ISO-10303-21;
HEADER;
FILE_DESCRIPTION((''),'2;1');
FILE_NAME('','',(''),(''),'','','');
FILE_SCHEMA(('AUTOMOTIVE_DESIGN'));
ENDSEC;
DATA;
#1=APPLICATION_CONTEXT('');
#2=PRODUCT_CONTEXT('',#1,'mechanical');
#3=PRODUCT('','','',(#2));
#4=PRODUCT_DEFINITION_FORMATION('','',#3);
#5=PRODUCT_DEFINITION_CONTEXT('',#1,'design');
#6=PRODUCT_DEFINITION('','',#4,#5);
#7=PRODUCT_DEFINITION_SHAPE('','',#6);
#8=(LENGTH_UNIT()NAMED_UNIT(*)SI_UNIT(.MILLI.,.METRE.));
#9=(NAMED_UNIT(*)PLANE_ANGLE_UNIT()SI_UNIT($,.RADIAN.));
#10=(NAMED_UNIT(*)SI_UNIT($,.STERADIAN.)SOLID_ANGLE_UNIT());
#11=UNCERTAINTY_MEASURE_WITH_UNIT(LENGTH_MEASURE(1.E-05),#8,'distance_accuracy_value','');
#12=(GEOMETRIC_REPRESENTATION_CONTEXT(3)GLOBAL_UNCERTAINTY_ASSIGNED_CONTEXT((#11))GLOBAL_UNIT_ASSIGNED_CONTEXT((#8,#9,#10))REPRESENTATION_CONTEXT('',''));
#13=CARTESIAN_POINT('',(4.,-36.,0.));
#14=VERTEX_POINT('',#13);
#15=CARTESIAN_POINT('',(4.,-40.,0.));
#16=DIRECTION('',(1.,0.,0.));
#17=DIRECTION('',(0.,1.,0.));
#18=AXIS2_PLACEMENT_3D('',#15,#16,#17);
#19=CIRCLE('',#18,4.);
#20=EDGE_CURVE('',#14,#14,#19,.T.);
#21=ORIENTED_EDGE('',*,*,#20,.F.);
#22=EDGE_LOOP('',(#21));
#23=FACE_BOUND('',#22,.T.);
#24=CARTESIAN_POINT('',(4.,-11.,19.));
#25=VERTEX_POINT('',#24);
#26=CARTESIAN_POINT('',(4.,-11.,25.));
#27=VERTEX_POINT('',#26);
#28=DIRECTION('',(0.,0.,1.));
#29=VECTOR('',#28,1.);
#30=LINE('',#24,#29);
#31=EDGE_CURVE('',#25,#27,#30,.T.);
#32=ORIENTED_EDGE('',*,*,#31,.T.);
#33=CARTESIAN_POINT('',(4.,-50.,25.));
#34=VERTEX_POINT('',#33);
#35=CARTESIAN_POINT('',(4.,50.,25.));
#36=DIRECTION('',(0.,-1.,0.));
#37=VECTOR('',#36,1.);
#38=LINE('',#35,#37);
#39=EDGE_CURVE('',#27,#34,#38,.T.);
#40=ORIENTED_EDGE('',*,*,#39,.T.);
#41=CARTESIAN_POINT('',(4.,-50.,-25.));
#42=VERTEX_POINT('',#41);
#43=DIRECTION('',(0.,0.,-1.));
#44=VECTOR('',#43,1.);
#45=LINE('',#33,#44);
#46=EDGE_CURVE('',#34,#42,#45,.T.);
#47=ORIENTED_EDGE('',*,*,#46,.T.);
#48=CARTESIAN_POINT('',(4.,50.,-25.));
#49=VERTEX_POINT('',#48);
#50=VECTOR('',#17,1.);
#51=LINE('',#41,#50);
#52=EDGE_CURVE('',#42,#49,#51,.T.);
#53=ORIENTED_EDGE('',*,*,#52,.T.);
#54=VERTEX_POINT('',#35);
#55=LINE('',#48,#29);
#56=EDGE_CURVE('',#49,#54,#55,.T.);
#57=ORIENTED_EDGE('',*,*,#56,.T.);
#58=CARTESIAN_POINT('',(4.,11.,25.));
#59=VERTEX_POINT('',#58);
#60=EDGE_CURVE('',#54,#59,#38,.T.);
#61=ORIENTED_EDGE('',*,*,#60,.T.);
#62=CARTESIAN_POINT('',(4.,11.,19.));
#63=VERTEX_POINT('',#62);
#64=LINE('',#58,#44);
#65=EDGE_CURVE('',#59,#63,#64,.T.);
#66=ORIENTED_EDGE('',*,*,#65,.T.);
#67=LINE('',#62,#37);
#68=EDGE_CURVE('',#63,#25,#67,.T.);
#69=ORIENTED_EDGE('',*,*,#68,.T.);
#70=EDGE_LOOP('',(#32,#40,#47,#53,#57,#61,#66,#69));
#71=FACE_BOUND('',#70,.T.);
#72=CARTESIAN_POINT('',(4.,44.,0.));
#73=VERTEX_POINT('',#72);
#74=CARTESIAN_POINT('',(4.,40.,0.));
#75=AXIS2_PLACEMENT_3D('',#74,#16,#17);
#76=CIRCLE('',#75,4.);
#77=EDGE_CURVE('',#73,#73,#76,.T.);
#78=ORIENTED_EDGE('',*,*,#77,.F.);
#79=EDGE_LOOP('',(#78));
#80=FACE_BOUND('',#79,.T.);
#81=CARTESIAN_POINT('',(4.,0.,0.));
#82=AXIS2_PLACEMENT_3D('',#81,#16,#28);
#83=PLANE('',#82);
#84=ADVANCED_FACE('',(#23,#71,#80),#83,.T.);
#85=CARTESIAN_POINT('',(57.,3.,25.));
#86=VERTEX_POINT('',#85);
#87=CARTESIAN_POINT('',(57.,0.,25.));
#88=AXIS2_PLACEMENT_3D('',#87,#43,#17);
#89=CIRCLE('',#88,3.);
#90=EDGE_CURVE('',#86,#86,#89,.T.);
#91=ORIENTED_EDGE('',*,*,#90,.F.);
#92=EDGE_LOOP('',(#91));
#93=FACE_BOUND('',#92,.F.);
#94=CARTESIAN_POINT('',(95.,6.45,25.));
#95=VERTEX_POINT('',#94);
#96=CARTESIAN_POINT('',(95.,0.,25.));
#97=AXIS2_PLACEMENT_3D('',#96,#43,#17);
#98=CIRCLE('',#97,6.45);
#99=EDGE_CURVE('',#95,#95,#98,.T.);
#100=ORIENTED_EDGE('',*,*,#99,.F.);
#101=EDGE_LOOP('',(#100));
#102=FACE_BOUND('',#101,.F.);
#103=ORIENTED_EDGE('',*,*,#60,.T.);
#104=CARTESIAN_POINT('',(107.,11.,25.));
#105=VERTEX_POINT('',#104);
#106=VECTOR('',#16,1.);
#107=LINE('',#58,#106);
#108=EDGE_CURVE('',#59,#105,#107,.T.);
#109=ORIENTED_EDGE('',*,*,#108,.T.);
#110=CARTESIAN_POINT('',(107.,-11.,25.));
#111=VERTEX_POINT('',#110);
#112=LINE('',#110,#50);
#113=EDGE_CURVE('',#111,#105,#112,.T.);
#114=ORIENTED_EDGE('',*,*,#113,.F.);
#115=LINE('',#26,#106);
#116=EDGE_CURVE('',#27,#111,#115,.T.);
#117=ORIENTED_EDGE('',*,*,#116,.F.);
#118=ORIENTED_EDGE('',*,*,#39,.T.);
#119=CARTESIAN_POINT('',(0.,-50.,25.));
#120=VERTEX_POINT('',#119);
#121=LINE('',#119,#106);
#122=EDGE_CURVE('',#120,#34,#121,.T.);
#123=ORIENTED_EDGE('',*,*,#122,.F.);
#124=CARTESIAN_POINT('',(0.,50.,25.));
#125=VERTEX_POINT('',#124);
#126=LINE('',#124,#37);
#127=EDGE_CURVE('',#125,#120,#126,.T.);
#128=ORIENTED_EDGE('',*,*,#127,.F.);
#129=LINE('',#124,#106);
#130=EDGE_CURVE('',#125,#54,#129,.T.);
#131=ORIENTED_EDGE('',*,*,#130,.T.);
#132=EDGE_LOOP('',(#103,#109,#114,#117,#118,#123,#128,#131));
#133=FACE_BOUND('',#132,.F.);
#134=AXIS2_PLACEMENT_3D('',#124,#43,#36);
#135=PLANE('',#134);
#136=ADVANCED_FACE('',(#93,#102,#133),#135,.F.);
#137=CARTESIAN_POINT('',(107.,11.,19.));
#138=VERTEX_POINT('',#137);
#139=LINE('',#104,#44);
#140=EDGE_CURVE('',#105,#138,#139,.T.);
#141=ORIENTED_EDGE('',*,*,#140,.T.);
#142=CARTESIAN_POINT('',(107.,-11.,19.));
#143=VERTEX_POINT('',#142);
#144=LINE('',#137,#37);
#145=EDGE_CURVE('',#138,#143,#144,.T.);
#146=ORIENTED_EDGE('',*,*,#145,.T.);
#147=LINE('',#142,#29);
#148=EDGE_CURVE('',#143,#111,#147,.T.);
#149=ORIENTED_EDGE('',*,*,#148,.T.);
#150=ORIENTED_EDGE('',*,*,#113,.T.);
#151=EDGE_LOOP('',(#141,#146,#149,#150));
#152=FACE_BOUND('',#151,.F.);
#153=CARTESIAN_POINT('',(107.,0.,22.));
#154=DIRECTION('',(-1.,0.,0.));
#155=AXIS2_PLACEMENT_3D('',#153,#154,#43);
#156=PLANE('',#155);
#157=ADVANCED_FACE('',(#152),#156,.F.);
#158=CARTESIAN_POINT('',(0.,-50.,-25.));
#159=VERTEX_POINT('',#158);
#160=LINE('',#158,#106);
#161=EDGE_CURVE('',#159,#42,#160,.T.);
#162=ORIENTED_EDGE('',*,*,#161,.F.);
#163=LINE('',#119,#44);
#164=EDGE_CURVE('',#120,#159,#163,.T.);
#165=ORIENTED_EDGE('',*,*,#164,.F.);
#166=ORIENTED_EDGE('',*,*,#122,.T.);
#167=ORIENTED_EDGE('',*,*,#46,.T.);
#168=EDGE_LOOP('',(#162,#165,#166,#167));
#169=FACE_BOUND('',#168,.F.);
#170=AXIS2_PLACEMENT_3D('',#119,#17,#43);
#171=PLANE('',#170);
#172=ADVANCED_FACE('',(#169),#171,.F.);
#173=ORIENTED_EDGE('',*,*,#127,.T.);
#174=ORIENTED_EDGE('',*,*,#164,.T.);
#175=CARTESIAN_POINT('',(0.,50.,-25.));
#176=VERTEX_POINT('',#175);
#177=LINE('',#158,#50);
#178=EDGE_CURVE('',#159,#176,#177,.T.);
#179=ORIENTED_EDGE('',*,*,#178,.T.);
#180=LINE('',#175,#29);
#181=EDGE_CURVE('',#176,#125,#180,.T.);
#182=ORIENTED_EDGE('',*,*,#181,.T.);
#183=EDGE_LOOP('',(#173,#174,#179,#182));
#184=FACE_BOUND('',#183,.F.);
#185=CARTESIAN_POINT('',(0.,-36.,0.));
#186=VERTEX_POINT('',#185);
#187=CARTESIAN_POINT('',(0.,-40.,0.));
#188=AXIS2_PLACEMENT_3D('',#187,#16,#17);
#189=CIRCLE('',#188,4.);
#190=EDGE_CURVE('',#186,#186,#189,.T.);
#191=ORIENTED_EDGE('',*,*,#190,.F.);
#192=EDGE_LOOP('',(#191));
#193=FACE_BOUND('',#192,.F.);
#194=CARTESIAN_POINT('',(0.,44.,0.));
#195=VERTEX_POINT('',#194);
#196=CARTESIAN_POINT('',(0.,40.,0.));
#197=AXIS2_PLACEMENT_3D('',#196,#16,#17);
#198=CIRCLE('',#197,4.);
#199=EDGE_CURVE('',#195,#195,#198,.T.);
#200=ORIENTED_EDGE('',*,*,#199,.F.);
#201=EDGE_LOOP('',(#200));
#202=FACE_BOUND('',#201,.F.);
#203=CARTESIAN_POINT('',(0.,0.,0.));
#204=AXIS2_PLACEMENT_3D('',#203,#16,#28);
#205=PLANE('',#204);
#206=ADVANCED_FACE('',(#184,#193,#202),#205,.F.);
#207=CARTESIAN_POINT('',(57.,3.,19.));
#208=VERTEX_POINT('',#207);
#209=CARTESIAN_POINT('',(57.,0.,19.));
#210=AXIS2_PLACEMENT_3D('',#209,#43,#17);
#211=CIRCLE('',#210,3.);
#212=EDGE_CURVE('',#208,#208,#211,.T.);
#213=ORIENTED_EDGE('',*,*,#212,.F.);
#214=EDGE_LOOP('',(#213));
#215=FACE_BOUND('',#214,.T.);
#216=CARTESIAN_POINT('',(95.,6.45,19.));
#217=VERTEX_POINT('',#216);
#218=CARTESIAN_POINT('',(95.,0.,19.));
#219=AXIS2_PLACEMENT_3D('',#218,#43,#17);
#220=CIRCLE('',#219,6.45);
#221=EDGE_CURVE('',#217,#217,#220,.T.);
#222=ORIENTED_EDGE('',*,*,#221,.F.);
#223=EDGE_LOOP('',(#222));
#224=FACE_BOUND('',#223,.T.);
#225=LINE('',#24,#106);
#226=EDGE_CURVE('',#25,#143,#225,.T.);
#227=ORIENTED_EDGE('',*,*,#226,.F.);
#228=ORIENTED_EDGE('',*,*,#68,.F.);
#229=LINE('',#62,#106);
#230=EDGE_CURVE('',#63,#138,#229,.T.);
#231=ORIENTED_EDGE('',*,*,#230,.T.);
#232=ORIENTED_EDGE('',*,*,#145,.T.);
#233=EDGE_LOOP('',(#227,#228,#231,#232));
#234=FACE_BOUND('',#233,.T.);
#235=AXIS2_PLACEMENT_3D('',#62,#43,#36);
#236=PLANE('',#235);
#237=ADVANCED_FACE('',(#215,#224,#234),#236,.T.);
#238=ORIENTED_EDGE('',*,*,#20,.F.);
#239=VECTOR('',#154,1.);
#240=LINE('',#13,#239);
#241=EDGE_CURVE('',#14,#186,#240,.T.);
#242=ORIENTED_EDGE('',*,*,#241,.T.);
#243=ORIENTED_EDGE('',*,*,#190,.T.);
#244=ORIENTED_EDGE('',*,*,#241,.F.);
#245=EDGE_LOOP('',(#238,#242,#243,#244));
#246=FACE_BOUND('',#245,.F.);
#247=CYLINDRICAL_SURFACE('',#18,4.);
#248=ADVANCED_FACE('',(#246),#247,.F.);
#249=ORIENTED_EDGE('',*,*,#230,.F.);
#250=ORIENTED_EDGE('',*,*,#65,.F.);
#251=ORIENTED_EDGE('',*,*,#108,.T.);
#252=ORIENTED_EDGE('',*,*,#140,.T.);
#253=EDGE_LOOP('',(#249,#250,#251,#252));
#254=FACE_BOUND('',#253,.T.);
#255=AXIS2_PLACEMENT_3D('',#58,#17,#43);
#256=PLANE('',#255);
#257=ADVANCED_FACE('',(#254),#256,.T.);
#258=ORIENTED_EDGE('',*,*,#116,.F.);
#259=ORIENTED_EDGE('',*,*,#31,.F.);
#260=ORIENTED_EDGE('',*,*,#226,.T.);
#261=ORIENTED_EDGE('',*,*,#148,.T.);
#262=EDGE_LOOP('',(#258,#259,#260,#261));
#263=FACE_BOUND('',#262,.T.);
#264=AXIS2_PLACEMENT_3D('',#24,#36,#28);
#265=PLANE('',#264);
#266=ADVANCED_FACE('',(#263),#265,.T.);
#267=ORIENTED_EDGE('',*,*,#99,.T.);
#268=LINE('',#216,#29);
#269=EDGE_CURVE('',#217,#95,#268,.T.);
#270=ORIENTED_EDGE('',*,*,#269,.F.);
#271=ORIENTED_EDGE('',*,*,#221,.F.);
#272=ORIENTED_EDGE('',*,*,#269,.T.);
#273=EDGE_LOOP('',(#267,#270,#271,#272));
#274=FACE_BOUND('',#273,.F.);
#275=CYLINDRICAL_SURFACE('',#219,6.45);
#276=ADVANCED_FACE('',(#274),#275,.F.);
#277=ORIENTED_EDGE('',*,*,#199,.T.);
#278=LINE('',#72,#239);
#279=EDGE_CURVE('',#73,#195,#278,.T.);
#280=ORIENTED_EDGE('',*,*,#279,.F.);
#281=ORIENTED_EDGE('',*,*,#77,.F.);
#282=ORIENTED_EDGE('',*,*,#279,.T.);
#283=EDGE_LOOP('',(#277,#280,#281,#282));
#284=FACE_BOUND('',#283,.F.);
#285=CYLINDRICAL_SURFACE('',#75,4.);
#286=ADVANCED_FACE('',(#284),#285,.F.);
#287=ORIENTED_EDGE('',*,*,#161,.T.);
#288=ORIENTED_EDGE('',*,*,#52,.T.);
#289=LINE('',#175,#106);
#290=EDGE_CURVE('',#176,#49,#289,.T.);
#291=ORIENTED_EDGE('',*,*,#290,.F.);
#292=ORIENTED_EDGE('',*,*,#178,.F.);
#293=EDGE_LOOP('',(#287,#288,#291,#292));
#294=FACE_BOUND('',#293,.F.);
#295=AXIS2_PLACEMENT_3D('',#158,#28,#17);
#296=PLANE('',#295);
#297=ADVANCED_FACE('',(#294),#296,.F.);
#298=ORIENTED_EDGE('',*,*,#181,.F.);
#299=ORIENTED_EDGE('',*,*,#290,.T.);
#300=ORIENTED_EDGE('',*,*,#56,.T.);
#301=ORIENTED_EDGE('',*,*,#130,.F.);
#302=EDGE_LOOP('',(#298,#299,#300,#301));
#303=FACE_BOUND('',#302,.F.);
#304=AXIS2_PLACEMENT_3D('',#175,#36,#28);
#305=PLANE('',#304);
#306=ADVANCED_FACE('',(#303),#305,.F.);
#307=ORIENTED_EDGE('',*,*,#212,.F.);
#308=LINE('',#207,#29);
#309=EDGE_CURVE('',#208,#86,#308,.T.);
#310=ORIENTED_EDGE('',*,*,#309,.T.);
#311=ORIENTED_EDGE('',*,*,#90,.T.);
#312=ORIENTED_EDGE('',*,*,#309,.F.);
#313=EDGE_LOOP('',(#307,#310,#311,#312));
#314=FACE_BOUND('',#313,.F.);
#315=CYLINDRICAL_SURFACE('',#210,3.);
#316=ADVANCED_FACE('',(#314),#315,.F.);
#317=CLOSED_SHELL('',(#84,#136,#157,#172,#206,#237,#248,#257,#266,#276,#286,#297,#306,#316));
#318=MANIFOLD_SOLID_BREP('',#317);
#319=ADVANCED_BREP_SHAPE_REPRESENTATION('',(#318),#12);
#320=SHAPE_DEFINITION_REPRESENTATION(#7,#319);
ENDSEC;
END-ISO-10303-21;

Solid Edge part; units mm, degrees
sketch "Sketch1" plane through (0, 0, 0) normal (1, 0, 0) x (0, 1, 0)
  line L0 (-50, 25) -> (-50, -25)
  line L1 (-50, -25) -> (50, -25)
  line L2 (50, -25) -> (50, 25)
  line L3 (50, 25) -> (-50, 25)
extrude "Protrusion1" add sketch "Sketch1" along normal blind 4
sketch "Sketch2" plane through (4, 0, 0) normal (1, 0, 0) x (0, 1, 0)
  line L0 (11, 19) -> (-11, 19)
  line L1 (-11, 19) -> (-11, 25)
  line L2 (-11, 25) -> (11, 25)
  line L3 (11, 25) -> (11, 19)
extrude "ExtrudedProtrusion_2" add sketch "Sketch2" along normal blind 103
sketch "Sketch3" plane through (55.5, 0, 19) normal (0, 0, -1) x (0, 1, 0)
  circle A0 centre (0, 39.5) radius 6.45
  circle A1 centre (0, 1.5) radius 3
  dimension "D1" = 12
  dimension "D2" = 6
  dimension "D3" = 50
extrude "ExtrudedCutout_1" cut sketch "Sketch3" against normal blind 28.1055
sketch "Sketch4" plane through (4, 0, 0) normal (1, 0, 0) x (0, 1, 0)
  circle A0 centre (-40, 0) radius 4
  circle A1 centre (40, 0) radius 4
  dimension "D1" = 10
  dimension "D2" = 10
extrude "Cutout1" cut sketch "Sketch4" against normal up to next
properties material "Stainless steel"
